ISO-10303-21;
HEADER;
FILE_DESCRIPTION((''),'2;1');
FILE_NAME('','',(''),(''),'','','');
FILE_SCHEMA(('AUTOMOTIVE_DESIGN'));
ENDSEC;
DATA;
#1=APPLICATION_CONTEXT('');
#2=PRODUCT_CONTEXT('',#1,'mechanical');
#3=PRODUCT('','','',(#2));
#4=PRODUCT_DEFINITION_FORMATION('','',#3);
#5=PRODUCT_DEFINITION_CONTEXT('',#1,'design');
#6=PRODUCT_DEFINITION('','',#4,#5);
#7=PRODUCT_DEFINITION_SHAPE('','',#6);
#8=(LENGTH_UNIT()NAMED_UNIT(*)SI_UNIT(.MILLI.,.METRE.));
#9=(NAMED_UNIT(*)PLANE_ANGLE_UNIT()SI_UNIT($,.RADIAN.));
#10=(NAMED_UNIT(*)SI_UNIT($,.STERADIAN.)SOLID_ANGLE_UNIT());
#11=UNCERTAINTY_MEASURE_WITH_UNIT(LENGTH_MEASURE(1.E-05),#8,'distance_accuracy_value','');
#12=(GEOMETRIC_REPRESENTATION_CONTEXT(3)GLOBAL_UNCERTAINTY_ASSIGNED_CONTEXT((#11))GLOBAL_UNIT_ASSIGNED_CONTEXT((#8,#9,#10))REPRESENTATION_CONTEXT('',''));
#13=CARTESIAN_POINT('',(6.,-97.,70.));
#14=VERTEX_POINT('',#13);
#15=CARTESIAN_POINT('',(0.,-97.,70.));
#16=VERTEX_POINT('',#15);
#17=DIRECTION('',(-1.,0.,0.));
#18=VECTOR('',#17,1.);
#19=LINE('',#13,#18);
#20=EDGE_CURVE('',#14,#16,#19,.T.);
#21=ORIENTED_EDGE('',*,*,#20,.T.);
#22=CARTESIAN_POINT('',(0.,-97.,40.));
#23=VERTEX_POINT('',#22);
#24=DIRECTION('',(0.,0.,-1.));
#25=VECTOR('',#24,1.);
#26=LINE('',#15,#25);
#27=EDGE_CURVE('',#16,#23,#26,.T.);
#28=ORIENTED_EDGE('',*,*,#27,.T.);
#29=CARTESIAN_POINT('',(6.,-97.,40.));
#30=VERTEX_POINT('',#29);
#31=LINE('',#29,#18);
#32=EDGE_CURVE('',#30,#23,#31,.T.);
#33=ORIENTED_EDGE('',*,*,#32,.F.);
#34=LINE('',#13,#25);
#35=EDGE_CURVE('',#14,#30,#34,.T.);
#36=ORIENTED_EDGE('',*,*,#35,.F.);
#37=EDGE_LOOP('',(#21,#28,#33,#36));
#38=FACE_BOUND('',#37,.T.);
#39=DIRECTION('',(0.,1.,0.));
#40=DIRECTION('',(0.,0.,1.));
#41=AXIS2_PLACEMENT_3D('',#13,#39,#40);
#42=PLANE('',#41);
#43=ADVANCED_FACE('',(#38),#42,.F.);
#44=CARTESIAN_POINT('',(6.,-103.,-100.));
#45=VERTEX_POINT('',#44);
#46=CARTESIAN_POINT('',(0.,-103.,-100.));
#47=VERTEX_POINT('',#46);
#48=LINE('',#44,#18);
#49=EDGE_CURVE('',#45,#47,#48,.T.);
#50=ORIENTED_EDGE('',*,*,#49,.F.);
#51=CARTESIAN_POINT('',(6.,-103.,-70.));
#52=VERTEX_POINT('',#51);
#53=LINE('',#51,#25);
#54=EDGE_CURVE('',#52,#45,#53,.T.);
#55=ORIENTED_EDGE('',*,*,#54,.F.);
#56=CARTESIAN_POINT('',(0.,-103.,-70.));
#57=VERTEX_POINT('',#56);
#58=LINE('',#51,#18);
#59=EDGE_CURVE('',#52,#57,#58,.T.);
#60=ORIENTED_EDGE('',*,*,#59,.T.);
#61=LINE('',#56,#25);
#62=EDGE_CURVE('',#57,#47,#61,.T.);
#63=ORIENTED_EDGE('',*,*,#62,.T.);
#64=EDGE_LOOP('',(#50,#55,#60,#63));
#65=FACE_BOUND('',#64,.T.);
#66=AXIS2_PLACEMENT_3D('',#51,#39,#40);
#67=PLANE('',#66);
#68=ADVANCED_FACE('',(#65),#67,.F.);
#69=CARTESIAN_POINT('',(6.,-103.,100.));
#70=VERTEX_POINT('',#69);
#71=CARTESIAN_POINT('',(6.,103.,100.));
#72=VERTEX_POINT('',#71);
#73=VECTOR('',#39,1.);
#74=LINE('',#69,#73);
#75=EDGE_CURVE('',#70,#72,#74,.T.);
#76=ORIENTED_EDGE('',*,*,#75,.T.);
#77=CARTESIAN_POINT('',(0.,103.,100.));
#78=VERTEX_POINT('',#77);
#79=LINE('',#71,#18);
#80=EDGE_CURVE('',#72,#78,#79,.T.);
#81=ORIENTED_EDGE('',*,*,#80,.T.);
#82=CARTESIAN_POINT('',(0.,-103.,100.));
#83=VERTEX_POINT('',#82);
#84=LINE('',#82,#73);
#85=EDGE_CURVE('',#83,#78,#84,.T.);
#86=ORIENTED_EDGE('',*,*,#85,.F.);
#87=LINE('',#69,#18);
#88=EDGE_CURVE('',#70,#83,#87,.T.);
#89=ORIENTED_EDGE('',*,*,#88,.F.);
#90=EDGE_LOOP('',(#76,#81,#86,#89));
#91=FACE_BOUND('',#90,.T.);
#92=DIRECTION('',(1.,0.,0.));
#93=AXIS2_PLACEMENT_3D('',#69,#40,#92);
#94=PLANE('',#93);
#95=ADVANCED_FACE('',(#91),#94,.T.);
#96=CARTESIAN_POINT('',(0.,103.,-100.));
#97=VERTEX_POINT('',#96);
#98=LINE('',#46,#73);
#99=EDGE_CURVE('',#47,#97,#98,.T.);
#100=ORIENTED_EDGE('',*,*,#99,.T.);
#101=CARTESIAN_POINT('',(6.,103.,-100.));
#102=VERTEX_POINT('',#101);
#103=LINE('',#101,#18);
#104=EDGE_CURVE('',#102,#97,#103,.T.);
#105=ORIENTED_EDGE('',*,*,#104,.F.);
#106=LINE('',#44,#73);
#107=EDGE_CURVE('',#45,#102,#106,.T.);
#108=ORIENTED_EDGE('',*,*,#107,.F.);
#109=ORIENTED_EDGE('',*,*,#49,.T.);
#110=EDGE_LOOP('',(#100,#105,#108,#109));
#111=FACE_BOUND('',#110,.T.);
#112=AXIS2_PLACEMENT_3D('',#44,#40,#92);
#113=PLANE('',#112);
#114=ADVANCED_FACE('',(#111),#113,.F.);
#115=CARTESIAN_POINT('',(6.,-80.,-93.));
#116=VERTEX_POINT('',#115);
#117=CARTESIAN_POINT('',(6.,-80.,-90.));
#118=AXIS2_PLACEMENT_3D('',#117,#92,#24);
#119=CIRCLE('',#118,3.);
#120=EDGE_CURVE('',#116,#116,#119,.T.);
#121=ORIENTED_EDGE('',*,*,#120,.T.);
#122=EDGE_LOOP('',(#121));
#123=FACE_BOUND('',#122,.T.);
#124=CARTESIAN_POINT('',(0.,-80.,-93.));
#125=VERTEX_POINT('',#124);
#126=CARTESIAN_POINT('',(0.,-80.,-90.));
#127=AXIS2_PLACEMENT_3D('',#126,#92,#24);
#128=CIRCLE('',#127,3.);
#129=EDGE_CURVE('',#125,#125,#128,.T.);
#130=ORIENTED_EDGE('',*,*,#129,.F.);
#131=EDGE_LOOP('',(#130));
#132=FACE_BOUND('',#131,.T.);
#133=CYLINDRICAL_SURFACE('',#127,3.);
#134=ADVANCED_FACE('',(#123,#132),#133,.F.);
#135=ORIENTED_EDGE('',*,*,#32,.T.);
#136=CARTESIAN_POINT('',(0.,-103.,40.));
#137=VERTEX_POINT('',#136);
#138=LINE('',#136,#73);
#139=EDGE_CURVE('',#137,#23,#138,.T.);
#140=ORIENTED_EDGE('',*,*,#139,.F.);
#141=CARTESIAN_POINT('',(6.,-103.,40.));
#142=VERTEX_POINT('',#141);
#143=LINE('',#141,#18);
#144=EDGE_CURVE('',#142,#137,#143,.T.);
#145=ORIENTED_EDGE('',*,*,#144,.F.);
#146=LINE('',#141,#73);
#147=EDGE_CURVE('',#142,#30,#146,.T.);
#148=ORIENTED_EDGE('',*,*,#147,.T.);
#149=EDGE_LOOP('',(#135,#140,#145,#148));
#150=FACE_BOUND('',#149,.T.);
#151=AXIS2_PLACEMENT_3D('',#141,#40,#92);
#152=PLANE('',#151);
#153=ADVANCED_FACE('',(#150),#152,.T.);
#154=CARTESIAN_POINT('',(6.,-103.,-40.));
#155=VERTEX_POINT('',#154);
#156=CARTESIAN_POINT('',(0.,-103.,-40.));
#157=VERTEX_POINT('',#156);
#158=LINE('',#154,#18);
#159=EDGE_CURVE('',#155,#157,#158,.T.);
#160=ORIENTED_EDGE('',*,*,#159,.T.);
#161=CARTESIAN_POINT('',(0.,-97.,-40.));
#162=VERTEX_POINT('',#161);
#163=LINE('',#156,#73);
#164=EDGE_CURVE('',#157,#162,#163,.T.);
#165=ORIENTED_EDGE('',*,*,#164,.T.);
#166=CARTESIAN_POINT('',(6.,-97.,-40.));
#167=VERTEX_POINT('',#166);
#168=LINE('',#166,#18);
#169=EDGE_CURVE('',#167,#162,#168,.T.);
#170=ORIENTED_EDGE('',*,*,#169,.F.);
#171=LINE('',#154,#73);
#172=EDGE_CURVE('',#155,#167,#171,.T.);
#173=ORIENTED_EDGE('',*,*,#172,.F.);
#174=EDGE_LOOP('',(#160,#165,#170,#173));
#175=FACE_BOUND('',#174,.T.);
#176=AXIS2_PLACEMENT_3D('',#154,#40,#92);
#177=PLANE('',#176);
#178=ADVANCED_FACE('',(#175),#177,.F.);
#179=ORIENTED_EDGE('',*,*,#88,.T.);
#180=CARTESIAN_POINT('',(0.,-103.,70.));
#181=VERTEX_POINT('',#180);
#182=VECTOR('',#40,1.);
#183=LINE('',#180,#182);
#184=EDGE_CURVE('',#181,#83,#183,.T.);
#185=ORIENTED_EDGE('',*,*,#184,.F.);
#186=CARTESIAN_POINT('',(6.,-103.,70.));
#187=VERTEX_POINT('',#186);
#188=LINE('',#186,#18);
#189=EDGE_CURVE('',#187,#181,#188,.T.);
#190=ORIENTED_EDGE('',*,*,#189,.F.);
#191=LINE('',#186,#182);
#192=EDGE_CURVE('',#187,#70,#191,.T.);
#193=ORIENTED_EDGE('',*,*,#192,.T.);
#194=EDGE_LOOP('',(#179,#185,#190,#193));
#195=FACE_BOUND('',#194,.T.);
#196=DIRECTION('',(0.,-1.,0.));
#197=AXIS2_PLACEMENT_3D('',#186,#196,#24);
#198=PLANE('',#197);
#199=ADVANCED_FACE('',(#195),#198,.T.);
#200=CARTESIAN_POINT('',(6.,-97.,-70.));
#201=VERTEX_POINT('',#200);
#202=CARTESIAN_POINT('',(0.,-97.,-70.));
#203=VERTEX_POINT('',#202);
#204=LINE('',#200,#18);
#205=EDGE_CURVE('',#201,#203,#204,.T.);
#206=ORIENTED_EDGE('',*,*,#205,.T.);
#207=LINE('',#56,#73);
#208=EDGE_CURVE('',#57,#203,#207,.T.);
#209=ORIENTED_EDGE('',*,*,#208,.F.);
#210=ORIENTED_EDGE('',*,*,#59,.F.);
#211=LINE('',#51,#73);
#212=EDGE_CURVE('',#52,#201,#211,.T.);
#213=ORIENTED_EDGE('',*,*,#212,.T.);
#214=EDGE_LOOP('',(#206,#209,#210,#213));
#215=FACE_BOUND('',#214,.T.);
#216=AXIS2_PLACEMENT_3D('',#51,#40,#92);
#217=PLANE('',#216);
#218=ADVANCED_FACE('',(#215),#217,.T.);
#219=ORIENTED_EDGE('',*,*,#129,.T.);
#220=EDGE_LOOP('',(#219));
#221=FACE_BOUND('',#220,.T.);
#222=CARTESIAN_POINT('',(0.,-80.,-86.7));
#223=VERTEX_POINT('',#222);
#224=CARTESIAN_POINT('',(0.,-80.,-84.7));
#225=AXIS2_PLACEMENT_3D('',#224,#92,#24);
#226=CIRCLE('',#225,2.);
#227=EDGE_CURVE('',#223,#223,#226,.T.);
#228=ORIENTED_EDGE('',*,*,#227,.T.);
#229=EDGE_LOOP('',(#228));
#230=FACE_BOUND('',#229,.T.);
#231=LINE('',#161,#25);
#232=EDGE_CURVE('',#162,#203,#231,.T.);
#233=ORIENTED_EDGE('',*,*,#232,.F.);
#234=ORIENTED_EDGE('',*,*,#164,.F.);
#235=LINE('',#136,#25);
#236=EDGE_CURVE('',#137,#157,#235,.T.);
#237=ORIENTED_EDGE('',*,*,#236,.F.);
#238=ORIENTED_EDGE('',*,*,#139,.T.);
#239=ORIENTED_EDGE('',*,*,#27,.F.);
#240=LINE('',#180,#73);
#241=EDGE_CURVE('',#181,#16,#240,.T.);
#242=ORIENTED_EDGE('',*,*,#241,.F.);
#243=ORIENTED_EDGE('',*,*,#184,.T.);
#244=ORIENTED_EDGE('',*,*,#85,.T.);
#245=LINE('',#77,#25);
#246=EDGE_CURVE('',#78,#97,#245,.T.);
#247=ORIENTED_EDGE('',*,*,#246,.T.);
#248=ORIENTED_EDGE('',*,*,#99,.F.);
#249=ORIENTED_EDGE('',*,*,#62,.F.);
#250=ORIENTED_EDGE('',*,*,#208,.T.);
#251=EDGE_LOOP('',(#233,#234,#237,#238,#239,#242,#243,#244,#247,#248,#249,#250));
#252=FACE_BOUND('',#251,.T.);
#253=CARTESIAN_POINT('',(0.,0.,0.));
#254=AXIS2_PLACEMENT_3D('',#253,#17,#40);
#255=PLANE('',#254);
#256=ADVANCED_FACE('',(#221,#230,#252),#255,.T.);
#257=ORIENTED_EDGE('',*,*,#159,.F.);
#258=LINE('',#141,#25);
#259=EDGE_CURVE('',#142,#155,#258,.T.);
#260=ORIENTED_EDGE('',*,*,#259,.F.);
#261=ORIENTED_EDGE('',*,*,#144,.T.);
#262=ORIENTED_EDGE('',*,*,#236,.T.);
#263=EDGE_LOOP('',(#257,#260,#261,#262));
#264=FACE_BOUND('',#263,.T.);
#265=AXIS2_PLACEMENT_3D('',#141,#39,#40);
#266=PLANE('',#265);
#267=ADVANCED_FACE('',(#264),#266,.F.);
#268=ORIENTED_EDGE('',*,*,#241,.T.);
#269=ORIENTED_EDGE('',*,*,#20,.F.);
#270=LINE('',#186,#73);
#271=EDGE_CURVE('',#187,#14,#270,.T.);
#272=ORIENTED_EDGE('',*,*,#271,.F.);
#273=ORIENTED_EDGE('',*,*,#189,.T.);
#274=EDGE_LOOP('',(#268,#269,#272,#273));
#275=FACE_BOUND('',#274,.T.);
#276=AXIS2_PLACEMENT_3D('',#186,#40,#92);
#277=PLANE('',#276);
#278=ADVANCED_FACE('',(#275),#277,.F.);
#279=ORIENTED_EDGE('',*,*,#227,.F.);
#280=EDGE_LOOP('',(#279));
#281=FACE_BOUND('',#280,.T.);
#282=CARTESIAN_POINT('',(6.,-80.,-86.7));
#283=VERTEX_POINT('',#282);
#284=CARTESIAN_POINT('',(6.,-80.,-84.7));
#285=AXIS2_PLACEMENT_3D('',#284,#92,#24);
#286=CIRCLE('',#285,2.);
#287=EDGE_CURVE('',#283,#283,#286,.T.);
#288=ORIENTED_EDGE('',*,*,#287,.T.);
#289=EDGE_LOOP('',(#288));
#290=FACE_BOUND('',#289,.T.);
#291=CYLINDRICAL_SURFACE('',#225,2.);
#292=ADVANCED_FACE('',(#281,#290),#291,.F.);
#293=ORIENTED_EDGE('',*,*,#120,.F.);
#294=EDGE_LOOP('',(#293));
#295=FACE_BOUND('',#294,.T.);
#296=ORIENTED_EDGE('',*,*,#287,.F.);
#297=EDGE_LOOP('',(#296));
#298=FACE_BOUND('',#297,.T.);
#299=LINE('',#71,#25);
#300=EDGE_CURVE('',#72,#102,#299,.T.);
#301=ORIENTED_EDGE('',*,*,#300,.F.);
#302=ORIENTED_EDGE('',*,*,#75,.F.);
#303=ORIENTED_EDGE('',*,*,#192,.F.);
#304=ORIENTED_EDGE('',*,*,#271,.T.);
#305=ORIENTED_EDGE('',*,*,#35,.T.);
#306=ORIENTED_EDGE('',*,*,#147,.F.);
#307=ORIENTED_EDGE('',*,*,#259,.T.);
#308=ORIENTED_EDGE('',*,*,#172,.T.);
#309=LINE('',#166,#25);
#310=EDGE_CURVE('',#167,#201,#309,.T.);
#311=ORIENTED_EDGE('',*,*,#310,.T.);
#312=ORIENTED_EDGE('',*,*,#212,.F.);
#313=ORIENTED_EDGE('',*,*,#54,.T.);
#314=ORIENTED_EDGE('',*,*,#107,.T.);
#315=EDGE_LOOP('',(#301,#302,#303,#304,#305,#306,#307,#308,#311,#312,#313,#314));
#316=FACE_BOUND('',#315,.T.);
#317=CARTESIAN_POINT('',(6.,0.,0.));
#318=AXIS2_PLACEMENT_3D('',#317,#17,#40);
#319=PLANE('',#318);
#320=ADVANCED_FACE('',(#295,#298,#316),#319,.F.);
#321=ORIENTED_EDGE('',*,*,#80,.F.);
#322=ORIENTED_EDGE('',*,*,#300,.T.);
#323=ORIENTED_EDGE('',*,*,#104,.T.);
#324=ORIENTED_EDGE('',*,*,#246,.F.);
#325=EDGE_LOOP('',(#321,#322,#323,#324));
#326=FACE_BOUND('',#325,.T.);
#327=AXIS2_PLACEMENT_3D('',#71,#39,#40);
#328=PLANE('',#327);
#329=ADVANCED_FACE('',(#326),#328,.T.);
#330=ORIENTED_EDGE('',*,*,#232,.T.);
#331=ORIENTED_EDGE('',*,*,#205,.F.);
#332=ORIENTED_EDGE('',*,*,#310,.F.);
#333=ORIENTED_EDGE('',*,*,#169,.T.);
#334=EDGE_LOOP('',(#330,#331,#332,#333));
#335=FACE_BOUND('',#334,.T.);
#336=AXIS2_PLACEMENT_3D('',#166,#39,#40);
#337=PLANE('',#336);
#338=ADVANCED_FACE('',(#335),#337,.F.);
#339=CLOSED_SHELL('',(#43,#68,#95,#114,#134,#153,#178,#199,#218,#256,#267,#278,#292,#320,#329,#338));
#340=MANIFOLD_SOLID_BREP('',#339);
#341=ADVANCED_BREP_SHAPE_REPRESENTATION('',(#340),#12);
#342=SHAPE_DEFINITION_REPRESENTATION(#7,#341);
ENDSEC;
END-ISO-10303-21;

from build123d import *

# Parameters (mm, degrees)
RESSALTO_EXTRUS_O3_DEPTH = 6
ESBO_O3_R                = 3
ESBO_O3_R_2              = 2
CORTE_EXTRUS_O4_DEPTH    = 6


with BuildPart() as part:
    # Esboço1 → Ressalto-extrusão3 (new body)
    with BuildSketch(Plane(origin=(0, 0, 0), x_dir=(0, 0, -1), z_dir=(1, 0, 0))):
        Polygon((-70, -103), (-100, -103), (-100, 103), (100, 103), (100, -103), (70, -103), (70, -97), (40, -97), (40, -103), (-40, -103), (-40, -97), (-70, -97), align=None)
    extrude(amount=RESSALTO_EXTRUS_O3_DEPTH)

    # Esboço3 → Corte-extrusão4 (cut)
    with BuildSketch(Plane(origin=(6, 0, 0), x_dir=(0, 0, -1), z_dir=(1, 0, 0))):
        with Locations((90, -80)):
            Circle(ESBO_O3_R)
        with Locations((84.7, -80)):
            Circle(ESBO_O3_R_2)
    extrude(amount=-CORTE_EXTRUS_O4_DEPTH, mode=Mode.SUBTRACT)


solid = part.part
